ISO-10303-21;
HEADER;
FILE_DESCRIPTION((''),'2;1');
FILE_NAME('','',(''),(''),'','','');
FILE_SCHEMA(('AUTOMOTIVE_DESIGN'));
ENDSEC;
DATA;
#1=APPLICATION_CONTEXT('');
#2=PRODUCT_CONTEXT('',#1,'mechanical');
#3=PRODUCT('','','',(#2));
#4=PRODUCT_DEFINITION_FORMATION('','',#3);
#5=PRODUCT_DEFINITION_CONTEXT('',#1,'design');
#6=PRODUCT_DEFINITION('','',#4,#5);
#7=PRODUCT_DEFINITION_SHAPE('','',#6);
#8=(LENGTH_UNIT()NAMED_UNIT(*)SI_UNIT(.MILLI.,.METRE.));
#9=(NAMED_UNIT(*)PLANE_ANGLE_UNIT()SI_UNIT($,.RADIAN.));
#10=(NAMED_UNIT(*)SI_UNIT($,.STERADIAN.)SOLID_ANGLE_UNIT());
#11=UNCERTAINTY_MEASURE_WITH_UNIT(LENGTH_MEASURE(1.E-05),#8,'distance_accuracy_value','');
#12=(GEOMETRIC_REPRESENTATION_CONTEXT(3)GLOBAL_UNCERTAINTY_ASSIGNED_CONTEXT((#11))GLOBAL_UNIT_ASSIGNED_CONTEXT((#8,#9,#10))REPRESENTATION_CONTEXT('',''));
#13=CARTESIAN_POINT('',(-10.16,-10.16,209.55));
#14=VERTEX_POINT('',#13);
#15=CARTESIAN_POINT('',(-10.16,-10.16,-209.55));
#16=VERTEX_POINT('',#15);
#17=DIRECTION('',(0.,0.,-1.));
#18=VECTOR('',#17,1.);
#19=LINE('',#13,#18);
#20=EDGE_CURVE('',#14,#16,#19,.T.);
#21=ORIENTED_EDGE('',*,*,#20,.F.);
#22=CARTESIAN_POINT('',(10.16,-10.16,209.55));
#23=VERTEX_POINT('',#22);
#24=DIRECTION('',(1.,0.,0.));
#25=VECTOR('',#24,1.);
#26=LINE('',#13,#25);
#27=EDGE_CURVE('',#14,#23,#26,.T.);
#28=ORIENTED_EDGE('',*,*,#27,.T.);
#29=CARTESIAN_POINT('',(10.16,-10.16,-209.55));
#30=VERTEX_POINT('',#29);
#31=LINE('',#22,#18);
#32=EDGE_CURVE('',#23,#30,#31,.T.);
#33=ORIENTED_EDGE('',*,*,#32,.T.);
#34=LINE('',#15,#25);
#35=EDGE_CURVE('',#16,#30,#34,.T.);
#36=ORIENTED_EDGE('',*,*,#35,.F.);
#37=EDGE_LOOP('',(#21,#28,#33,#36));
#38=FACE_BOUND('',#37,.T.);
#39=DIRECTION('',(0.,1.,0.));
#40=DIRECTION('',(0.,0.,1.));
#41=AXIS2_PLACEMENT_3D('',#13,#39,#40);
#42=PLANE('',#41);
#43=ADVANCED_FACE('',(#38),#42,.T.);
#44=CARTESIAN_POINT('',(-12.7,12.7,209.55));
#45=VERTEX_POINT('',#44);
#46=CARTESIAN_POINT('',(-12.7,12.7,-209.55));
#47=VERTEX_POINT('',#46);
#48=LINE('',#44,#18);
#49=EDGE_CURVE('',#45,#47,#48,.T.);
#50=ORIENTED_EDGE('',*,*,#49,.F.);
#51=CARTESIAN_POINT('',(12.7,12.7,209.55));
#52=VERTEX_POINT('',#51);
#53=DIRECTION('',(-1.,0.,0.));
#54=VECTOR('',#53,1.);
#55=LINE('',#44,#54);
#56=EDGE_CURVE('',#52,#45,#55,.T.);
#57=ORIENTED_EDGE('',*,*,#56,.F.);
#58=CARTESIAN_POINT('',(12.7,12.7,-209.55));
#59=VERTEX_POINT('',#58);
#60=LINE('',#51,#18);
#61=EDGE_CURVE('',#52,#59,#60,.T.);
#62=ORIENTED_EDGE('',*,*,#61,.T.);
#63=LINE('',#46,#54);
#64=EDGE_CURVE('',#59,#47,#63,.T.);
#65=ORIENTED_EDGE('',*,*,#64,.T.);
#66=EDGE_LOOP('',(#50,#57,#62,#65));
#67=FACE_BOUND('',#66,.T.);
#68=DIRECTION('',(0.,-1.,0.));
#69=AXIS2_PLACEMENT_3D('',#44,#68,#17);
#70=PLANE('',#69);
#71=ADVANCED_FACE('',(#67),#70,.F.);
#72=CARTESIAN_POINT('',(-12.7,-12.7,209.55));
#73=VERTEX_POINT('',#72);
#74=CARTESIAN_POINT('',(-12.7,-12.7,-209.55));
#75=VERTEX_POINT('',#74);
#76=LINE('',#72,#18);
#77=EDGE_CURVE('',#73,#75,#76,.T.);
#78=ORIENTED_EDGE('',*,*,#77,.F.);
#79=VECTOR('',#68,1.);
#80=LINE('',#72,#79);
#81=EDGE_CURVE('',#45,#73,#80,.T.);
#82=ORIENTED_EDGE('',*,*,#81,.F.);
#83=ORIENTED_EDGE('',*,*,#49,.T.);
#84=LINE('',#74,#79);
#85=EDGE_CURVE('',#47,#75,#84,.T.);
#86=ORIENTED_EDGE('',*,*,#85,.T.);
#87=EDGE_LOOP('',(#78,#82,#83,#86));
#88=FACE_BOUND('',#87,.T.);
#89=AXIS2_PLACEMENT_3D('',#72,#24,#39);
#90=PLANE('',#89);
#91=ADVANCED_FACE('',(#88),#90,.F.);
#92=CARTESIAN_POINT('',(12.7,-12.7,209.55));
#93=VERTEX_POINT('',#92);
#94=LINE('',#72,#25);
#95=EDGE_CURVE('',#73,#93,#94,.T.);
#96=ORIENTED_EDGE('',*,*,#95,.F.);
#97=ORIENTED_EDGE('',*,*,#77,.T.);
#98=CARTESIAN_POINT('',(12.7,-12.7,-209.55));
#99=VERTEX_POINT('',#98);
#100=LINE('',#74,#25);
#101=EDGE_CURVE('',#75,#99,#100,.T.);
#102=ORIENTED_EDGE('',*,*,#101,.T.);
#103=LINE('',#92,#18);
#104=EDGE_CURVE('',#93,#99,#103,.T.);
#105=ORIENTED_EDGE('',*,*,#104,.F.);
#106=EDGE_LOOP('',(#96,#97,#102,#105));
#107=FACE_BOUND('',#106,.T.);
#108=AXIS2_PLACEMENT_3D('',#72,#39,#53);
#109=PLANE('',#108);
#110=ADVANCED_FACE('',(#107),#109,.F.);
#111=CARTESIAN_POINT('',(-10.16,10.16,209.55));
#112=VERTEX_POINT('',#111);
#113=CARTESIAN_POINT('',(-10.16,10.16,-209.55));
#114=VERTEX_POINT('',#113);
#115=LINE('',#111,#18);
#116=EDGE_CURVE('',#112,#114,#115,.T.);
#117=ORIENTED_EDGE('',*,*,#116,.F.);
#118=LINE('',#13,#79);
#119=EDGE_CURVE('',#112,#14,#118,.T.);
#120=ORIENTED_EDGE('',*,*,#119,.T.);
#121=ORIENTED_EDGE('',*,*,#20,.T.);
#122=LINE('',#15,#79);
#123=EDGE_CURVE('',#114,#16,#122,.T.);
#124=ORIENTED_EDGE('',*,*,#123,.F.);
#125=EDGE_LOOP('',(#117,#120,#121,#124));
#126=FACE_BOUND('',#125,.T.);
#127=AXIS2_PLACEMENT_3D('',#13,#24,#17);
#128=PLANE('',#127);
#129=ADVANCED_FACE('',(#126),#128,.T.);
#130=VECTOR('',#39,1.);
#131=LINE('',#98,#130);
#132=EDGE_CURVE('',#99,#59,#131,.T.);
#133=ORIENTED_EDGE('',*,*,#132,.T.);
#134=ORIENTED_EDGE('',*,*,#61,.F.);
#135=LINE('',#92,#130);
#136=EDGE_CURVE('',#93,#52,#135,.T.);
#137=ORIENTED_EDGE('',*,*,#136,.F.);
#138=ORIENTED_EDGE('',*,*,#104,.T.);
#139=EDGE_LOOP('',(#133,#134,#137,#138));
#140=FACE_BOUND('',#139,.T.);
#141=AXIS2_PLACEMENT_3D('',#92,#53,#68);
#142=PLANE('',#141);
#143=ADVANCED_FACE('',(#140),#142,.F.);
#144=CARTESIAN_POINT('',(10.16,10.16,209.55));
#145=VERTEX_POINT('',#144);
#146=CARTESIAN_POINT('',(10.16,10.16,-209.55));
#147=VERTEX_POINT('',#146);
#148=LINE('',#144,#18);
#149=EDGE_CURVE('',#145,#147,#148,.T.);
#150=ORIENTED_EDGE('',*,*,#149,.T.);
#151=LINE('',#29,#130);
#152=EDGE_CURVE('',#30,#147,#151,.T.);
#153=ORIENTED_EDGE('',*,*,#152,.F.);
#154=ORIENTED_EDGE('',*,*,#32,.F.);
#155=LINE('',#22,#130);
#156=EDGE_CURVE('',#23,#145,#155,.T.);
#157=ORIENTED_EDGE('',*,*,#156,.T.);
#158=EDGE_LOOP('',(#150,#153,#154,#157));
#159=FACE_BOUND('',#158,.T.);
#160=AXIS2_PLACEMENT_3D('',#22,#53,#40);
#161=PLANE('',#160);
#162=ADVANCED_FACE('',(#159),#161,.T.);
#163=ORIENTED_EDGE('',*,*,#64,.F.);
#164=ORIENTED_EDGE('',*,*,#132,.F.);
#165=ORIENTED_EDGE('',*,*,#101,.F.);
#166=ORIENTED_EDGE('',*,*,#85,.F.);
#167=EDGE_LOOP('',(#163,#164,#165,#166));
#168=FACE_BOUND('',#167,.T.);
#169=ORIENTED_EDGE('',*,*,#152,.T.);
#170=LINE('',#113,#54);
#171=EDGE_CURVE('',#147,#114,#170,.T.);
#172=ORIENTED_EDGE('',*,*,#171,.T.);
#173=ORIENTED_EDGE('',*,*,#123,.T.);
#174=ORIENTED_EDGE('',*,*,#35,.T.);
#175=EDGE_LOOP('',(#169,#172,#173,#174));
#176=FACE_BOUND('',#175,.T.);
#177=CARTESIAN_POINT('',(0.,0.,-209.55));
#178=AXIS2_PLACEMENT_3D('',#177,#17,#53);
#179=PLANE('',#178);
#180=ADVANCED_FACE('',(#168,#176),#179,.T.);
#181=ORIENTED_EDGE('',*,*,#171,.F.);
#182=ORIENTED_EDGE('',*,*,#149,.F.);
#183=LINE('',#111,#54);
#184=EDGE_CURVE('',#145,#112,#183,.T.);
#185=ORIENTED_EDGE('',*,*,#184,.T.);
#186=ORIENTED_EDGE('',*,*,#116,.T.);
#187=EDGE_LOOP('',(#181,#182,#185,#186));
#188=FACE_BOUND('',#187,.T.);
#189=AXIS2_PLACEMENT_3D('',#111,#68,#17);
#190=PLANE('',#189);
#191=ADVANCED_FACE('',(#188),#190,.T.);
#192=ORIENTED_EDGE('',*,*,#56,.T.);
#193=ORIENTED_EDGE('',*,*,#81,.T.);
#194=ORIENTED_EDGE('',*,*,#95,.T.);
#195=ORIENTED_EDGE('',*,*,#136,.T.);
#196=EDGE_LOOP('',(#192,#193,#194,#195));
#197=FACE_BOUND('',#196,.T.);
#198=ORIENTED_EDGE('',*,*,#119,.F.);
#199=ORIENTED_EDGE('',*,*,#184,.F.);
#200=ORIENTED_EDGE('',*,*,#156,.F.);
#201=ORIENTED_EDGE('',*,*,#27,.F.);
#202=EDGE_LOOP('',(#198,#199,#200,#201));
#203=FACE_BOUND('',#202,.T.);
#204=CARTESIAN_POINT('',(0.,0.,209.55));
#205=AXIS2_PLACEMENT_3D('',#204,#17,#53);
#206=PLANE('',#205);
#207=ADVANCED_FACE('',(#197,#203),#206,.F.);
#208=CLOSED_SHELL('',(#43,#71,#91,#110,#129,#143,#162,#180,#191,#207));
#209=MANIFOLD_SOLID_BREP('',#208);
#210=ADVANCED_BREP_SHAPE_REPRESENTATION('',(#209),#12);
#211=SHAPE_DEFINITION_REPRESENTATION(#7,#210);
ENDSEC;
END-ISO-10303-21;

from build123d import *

# Parameters (mm, degrees)
SKETCH1_W           = 25.4
SKETCH1_H           = 25.4
SKETCH1_W_2         = 20.32
SKETCH1_H_2         = 20.32
BOSS_EXTRUDE1_DEPTH = 209.55


with BuildPart() as part:
    # Sketch1 → Boss-Extrude1 (new, symmetric)
    with BuildSketch(Plane.XY):
        Rectangle(SKETCH1_W, SKETCH1_H)
        Rectangle(SKETCH1_W_2, SKETCH1_H_2, mode=Mode.SUBTRACT)
    extrude(amount=BOSS_EXTRUDE1_DEPTH, both=True)


solid = part.part
